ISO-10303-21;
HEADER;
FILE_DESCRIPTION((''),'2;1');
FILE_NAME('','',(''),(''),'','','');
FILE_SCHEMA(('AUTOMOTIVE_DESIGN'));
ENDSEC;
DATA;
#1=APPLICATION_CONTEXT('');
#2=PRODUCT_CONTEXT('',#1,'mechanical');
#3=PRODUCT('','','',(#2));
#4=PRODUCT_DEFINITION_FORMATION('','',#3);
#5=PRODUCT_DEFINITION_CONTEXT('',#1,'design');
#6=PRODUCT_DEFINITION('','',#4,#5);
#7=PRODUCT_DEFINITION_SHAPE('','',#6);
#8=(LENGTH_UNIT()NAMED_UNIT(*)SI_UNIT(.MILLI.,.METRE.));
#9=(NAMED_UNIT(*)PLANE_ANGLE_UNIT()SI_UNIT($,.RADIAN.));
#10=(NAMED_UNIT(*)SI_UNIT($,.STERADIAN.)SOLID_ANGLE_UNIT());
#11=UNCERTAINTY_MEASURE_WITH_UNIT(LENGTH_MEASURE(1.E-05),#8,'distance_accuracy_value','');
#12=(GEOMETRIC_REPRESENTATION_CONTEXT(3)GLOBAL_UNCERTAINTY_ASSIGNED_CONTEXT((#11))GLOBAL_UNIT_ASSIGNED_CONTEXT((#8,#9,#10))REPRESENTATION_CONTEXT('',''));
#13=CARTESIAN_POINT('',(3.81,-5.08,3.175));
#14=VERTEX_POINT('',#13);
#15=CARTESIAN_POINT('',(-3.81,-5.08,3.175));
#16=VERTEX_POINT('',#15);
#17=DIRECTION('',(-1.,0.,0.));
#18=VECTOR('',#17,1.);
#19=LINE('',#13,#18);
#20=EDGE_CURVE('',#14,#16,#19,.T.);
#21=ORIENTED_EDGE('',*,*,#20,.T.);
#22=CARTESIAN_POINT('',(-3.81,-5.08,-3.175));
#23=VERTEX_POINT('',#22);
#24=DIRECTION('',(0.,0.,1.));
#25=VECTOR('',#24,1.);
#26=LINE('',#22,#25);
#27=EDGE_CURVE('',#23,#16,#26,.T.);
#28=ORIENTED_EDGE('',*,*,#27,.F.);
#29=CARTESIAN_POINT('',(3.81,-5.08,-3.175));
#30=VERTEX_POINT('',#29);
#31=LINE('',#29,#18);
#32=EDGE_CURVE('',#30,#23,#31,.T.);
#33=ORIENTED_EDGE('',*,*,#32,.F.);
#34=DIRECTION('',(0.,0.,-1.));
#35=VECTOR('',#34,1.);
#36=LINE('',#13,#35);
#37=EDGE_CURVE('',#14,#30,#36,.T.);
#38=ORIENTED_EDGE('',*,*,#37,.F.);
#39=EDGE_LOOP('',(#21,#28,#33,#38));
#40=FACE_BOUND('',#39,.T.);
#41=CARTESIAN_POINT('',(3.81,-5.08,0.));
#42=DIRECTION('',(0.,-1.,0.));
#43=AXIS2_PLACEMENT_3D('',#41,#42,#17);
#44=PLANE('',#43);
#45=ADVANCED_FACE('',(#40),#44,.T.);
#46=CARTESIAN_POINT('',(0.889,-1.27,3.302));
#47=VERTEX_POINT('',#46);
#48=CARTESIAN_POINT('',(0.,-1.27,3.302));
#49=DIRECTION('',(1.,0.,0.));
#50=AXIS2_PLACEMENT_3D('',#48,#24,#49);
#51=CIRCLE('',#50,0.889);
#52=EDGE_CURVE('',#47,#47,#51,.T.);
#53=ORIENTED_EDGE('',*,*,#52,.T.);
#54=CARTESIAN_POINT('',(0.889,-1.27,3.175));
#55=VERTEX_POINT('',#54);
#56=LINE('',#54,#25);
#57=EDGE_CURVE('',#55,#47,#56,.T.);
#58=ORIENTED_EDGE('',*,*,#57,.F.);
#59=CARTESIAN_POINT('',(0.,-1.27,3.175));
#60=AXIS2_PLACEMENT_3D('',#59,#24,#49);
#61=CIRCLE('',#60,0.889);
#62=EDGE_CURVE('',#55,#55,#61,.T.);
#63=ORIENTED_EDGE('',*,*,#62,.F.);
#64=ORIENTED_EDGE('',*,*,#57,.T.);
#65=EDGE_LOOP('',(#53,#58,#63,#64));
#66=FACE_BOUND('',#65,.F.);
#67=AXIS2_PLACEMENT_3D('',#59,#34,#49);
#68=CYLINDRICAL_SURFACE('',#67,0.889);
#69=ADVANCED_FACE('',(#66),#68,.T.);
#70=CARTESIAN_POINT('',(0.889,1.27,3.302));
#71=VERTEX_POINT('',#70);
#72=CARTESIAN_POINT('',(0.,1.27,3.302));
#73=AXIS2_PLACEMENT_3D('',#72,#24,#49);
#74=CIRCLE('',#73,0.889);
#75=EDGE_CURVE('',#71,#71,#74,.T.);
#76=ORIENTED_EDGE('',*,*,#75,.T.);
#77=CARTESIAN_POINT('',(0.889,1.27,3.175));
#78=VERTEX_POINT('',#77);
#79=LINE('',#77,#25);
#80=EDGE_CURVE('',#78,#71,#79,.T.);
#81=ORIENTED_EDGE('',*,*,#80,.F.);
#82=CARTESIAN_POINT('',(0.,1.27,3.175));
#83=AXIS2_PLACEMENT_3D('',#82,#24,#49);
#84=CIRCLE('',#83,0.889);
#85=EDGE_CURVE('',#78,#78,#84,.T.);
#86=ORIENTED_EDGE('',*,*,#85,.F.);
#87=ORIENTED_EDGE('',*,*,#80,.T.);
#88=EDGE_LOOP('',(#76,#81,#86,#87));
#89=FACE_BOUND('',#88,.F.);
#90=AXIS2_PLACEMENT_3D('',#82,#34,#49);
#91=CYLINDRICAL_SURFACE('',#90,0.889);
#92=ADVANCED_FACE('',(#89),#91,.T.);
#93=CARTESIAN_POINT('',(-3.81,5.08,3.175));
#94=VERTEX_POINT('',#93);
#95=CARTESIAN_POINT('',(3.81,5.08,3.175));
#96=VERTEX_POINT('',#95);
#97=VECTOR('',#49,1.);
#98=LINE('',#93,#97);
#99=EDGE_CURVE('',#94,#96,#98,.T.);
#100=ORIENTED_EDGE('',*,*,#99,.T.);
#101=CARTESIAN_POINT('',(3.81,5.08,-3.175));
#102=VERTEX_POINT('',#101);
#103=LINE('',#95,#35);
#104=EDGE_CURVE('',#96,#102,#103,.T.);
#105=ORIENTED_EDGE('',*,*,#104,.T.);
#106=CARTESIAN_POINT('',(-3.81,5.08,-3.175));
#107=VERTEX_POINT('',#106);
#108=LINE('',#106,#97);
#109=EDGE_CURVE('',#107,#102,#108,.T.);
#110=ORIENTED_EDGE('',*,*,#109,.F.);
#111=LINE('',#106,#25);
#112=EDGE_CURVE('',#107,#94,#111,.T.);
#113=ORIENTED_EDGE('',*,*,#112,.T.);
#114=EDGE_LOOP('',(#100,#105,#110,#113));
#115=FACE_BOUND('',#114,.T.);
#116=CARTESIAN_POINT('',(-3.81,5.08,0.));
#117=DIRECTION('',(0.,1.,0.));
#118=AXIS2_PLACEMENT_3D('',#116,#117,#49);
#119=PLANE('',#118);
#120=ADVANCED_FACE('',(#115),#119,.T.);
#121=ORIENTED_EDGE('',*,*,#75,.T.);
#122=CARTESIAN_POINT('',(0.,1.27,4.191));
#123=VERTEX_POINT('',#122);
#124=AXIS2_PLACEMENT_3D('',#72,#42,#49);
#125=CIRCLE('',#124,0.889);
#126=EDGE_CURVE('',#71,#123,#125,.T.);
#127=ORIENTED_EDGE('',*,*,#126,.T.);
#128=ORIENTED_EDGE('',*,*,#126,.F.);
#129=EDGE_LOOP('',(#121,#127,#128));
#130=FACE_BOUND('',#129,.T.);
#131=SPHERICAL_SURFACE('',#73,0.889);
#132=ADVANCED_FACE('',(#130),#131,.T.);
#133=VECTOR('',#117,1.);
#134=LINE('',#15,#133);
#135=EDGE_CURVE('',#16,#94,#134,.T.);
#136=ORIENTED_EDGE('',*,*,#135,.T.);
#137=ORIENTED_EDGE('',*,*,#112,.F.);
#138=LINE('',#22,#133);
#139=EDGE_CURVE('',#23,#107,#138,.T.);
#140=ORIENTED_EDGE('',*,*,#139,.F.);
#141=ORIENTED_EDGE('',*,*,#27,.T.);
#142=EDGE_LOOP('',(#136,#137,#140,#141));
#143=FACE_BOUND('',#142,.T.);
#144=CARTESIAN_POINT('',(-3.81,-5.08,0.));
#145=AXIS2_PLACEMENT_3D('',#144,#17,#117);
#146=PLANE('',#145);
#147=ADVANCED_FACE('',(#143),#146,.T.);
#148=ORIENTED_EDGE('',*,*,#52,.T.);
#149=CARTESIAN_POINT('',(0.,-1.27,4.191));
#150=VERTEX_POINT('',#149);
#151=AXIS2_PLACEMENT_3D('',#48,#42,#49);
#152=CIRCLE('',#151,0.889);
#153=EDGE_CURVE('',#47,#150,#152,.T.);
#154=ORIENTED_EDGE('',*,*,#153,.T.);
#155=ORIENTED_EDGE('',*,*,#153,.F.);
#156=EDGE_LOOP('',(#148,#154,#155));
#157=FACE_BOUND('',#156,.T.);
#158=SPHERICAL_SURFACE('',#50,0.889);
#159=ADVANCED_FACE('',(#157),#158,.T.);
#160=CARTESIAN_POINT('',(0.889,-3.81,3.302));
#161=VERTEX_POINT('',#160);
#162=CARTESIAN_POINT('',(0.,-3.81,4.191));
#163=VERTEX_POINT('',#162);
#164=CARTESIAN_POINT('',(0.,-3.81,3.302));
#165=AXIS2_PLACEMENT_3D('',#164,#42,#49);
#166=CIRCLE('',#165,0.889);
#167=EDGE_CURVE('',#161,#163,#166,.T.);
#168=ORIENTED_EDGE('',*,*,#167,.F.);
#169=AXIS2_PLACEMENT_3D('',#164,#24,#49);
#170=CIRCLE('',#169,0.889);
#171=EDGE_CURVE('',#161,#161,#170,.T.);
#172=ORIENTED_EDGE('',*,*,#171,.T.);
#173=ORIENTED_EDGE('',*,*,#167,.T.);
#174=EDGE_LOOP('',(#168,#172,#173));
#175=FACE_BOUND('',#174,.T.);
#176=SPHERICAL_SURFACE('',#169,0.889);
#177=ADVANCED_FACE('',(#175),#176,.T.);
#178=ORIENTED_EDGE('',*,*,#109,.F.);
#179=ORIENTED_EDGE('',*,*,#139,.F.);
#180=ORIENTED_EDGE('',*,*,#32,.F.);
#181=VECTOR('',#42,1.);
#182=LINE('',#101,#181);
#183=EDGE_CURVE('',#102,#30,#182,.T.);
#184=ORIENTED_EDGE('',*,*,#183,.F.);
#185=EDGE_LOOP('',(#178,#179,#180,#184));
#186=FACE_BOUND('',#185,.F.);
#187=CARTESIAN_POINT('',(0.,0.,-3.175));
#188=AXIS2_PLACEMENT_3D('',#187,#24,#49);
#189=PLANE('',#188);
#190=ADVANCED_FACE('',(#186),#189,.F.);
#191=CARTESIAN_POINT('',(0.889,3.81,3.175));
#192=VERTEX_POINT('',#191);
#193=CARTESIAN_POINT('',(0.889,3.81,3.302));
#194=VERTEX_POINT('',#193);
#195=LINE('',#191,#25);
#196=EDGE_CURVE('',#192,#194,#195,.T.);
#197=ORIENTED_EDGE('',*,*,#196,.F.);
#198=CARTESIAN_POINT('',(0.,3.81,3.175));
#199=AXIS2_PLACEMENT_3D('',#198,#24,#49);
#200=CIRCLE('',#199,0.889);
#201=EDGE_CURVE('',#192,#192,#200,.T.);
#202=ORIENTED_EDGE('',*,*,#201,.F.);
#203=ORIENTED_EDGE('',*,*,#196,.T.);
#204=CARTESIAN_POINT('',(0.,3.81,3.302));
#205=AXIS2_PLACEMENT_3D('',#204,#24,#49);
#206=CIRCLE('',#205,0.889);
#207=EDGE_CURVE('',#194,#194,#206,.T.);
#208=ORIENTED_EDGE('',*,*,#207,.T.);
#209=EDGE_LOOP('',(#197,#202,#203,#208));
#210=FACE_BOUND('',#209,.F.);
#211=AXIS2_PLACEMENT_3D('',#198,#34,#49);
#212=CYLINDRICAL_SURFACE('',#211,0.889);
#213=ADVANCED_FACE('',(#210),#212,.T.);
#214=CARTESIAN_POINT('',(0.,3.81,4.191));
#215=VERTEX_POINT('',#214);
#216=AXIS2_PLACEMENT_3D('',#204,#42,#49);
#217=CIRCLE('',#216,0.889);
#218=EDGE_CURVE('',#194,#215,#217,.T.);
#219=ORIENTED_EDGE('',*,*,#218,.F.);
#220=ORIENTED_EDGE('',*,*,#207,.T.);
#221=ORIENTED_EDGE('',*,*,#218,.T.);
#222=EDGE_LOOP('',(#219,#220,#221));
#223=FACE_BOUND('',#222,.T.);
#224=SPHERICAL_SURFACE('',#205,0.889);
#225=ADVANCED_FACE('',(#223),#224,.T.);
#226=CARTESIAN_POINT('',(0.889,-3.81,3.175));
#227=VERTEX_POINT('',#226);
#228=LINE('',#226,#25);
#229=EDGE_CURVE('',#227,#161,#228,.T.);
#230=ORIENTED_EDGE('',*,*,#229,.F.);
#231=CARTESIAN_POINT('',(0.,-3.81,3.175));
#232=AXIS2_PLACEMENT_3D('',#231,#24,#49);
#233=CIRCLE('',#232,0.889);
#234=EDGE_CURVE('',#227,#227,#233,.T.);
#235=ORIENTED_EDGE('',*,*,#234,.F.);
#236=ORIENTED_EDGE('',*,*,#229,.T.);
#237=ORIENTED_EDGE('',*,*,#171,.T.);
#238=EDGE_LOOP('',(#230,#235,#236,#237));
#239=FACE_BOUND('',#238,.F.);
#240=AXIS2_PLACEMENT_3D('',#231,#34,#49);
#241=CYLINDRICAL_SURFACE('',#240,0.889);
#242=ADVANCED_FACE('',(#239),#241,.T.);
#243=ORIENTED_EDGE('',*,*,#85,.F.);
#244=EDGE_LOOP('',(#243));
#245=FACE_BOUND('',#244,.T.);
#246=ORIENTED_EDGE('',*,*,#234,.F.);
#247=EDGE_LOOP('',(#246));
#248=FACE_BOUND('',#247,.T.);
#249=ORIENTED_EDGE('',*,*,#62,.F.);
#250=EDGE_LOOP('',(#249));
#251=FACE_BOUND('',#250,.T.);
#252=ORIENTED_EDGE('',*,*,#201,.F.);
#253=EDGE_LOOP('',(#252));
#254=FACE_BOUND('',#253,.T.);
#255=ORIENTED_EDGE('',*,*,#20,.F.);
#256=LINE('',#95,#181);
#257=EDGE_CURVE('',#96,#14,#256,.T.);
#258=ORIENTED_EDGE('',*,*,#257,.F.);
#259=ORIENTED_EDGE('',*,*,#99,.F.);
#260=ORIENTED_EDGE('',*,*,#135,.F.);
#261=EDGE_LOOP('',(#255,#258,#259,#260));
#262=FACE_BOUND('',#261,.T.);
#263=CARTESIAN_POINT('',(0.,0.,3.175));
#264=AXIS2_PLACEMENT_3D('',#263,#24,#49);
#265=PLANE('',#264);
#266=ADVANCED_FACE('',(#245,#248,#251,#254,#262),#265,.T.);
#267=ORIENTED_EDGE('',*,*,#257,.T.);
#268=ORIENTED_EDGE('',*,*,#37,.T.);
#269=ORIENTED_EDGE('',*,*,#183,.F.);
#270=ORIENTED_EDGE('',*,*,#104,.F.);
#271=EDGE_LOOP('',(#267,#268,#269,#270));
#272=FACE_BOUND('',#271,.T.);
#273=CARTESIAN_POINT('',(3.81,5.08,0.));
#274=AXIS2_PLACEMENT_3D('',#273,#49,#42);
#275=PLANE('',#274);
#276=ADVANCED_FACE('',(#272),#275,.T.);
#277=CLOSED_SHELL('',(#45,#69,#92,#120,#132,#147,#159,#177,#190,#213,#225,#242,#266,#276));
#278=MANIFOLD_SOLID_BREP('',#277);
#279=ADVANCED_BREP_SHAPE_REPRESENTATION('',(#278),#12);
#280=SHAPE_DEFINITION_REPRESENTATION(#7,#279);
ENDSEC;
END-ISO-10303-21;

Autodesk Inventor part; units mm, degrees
ref_plane "YZ Plane" through (0, 0, 0) normal (1, 0, 0) x (0, 1, 0)
ref_plane "XZ Plane" through (0, 0, 0) normal (0, 1, 0) x (-1, 0, 0)
ref_plane "XY Plane" through (0, 0, 0) normal (0, 0, 1) x (1, 0, 0)
sketch "Sketch1" plane through (0, 0, 0) normal (0, 0, 1) x (1, 0, 0)
  line L0 (-3.81, 5.08) -> (3.81, 5.08)
  line L1 (3.81, 5.08) -> (3.81, -5.08)
  line L2 (3.81, -5.08) -> (-3.81, -5.08)
  line L3 (-3.81, -5.08) -> (-3.81, 5.08)
  line L4 (0, 0) -> (0, 5.08) construction
  line L5 (0, 0) -> (0, -5.08) construction
  line L6 (0, 0) -> (-3.81, 0) construction
  line L7 (0, 0) -> (3.81, 0) construction
  dimension "d0" = 7.62
  dimension "d1" = 10.16
extrude "Extrusion1" add sketch "Sketch1" along normal mid plane 6.35
sketch "Sketch2" plane through (0, 0, 3.175) normal (0, 0, 1) x (1, 0, 0)
  line L0 (-3.81, 5.08) -> (3.81, 5.08) projected
  line L1 (3.81, -5.08) -> (-3.81, -5.08) projected
  line L2 (0, 5.08) -> (0, -5.08) construction
  circle A0 centre (0, 3.81) radius 0.889
  line L3 (-3.81, -5.08) -> (-3.81, 5.08) projected
  circle A1 centre (0, 1.27) radius 0.889
  circle A2 centre (0, -1.27) radius 0.889
  circle A3 centre (0, -3.81) radius 0.889
  dimension "d4" = 1.27
  dimension "d5" = 1.778
  dimension "d14" = 2.54
extrude "Extrusion2" add sketch "Sketch2" along normal blind 1.016 contours A0
fillet "Fillet1" radius 0.889 1 edges at (-0.889, 3.81, 4.191)
extrude "Extrusion3" add sketch "Sketch2" along normal blind 1.016 contours A1
fillet "Fillet2" radius 0.889 1 edges at (-0.889, 1.27, 4.191)
extrude "Extrusion4" add sketch "Sketch2" along normal blind 1.016 contours A2
fillet "Fillet3" radius 0.889 1 edges at (-0.889, -1.27, 4.191)
extrude "Extrusion5" add sketch "Sketch2" along normal blind 1.016 contours A3
fillet "Fillet4" radius 0.889 1 edges at (-0.889, -3.81, 4.191)
properties part number "cRIO-FRC LED"
